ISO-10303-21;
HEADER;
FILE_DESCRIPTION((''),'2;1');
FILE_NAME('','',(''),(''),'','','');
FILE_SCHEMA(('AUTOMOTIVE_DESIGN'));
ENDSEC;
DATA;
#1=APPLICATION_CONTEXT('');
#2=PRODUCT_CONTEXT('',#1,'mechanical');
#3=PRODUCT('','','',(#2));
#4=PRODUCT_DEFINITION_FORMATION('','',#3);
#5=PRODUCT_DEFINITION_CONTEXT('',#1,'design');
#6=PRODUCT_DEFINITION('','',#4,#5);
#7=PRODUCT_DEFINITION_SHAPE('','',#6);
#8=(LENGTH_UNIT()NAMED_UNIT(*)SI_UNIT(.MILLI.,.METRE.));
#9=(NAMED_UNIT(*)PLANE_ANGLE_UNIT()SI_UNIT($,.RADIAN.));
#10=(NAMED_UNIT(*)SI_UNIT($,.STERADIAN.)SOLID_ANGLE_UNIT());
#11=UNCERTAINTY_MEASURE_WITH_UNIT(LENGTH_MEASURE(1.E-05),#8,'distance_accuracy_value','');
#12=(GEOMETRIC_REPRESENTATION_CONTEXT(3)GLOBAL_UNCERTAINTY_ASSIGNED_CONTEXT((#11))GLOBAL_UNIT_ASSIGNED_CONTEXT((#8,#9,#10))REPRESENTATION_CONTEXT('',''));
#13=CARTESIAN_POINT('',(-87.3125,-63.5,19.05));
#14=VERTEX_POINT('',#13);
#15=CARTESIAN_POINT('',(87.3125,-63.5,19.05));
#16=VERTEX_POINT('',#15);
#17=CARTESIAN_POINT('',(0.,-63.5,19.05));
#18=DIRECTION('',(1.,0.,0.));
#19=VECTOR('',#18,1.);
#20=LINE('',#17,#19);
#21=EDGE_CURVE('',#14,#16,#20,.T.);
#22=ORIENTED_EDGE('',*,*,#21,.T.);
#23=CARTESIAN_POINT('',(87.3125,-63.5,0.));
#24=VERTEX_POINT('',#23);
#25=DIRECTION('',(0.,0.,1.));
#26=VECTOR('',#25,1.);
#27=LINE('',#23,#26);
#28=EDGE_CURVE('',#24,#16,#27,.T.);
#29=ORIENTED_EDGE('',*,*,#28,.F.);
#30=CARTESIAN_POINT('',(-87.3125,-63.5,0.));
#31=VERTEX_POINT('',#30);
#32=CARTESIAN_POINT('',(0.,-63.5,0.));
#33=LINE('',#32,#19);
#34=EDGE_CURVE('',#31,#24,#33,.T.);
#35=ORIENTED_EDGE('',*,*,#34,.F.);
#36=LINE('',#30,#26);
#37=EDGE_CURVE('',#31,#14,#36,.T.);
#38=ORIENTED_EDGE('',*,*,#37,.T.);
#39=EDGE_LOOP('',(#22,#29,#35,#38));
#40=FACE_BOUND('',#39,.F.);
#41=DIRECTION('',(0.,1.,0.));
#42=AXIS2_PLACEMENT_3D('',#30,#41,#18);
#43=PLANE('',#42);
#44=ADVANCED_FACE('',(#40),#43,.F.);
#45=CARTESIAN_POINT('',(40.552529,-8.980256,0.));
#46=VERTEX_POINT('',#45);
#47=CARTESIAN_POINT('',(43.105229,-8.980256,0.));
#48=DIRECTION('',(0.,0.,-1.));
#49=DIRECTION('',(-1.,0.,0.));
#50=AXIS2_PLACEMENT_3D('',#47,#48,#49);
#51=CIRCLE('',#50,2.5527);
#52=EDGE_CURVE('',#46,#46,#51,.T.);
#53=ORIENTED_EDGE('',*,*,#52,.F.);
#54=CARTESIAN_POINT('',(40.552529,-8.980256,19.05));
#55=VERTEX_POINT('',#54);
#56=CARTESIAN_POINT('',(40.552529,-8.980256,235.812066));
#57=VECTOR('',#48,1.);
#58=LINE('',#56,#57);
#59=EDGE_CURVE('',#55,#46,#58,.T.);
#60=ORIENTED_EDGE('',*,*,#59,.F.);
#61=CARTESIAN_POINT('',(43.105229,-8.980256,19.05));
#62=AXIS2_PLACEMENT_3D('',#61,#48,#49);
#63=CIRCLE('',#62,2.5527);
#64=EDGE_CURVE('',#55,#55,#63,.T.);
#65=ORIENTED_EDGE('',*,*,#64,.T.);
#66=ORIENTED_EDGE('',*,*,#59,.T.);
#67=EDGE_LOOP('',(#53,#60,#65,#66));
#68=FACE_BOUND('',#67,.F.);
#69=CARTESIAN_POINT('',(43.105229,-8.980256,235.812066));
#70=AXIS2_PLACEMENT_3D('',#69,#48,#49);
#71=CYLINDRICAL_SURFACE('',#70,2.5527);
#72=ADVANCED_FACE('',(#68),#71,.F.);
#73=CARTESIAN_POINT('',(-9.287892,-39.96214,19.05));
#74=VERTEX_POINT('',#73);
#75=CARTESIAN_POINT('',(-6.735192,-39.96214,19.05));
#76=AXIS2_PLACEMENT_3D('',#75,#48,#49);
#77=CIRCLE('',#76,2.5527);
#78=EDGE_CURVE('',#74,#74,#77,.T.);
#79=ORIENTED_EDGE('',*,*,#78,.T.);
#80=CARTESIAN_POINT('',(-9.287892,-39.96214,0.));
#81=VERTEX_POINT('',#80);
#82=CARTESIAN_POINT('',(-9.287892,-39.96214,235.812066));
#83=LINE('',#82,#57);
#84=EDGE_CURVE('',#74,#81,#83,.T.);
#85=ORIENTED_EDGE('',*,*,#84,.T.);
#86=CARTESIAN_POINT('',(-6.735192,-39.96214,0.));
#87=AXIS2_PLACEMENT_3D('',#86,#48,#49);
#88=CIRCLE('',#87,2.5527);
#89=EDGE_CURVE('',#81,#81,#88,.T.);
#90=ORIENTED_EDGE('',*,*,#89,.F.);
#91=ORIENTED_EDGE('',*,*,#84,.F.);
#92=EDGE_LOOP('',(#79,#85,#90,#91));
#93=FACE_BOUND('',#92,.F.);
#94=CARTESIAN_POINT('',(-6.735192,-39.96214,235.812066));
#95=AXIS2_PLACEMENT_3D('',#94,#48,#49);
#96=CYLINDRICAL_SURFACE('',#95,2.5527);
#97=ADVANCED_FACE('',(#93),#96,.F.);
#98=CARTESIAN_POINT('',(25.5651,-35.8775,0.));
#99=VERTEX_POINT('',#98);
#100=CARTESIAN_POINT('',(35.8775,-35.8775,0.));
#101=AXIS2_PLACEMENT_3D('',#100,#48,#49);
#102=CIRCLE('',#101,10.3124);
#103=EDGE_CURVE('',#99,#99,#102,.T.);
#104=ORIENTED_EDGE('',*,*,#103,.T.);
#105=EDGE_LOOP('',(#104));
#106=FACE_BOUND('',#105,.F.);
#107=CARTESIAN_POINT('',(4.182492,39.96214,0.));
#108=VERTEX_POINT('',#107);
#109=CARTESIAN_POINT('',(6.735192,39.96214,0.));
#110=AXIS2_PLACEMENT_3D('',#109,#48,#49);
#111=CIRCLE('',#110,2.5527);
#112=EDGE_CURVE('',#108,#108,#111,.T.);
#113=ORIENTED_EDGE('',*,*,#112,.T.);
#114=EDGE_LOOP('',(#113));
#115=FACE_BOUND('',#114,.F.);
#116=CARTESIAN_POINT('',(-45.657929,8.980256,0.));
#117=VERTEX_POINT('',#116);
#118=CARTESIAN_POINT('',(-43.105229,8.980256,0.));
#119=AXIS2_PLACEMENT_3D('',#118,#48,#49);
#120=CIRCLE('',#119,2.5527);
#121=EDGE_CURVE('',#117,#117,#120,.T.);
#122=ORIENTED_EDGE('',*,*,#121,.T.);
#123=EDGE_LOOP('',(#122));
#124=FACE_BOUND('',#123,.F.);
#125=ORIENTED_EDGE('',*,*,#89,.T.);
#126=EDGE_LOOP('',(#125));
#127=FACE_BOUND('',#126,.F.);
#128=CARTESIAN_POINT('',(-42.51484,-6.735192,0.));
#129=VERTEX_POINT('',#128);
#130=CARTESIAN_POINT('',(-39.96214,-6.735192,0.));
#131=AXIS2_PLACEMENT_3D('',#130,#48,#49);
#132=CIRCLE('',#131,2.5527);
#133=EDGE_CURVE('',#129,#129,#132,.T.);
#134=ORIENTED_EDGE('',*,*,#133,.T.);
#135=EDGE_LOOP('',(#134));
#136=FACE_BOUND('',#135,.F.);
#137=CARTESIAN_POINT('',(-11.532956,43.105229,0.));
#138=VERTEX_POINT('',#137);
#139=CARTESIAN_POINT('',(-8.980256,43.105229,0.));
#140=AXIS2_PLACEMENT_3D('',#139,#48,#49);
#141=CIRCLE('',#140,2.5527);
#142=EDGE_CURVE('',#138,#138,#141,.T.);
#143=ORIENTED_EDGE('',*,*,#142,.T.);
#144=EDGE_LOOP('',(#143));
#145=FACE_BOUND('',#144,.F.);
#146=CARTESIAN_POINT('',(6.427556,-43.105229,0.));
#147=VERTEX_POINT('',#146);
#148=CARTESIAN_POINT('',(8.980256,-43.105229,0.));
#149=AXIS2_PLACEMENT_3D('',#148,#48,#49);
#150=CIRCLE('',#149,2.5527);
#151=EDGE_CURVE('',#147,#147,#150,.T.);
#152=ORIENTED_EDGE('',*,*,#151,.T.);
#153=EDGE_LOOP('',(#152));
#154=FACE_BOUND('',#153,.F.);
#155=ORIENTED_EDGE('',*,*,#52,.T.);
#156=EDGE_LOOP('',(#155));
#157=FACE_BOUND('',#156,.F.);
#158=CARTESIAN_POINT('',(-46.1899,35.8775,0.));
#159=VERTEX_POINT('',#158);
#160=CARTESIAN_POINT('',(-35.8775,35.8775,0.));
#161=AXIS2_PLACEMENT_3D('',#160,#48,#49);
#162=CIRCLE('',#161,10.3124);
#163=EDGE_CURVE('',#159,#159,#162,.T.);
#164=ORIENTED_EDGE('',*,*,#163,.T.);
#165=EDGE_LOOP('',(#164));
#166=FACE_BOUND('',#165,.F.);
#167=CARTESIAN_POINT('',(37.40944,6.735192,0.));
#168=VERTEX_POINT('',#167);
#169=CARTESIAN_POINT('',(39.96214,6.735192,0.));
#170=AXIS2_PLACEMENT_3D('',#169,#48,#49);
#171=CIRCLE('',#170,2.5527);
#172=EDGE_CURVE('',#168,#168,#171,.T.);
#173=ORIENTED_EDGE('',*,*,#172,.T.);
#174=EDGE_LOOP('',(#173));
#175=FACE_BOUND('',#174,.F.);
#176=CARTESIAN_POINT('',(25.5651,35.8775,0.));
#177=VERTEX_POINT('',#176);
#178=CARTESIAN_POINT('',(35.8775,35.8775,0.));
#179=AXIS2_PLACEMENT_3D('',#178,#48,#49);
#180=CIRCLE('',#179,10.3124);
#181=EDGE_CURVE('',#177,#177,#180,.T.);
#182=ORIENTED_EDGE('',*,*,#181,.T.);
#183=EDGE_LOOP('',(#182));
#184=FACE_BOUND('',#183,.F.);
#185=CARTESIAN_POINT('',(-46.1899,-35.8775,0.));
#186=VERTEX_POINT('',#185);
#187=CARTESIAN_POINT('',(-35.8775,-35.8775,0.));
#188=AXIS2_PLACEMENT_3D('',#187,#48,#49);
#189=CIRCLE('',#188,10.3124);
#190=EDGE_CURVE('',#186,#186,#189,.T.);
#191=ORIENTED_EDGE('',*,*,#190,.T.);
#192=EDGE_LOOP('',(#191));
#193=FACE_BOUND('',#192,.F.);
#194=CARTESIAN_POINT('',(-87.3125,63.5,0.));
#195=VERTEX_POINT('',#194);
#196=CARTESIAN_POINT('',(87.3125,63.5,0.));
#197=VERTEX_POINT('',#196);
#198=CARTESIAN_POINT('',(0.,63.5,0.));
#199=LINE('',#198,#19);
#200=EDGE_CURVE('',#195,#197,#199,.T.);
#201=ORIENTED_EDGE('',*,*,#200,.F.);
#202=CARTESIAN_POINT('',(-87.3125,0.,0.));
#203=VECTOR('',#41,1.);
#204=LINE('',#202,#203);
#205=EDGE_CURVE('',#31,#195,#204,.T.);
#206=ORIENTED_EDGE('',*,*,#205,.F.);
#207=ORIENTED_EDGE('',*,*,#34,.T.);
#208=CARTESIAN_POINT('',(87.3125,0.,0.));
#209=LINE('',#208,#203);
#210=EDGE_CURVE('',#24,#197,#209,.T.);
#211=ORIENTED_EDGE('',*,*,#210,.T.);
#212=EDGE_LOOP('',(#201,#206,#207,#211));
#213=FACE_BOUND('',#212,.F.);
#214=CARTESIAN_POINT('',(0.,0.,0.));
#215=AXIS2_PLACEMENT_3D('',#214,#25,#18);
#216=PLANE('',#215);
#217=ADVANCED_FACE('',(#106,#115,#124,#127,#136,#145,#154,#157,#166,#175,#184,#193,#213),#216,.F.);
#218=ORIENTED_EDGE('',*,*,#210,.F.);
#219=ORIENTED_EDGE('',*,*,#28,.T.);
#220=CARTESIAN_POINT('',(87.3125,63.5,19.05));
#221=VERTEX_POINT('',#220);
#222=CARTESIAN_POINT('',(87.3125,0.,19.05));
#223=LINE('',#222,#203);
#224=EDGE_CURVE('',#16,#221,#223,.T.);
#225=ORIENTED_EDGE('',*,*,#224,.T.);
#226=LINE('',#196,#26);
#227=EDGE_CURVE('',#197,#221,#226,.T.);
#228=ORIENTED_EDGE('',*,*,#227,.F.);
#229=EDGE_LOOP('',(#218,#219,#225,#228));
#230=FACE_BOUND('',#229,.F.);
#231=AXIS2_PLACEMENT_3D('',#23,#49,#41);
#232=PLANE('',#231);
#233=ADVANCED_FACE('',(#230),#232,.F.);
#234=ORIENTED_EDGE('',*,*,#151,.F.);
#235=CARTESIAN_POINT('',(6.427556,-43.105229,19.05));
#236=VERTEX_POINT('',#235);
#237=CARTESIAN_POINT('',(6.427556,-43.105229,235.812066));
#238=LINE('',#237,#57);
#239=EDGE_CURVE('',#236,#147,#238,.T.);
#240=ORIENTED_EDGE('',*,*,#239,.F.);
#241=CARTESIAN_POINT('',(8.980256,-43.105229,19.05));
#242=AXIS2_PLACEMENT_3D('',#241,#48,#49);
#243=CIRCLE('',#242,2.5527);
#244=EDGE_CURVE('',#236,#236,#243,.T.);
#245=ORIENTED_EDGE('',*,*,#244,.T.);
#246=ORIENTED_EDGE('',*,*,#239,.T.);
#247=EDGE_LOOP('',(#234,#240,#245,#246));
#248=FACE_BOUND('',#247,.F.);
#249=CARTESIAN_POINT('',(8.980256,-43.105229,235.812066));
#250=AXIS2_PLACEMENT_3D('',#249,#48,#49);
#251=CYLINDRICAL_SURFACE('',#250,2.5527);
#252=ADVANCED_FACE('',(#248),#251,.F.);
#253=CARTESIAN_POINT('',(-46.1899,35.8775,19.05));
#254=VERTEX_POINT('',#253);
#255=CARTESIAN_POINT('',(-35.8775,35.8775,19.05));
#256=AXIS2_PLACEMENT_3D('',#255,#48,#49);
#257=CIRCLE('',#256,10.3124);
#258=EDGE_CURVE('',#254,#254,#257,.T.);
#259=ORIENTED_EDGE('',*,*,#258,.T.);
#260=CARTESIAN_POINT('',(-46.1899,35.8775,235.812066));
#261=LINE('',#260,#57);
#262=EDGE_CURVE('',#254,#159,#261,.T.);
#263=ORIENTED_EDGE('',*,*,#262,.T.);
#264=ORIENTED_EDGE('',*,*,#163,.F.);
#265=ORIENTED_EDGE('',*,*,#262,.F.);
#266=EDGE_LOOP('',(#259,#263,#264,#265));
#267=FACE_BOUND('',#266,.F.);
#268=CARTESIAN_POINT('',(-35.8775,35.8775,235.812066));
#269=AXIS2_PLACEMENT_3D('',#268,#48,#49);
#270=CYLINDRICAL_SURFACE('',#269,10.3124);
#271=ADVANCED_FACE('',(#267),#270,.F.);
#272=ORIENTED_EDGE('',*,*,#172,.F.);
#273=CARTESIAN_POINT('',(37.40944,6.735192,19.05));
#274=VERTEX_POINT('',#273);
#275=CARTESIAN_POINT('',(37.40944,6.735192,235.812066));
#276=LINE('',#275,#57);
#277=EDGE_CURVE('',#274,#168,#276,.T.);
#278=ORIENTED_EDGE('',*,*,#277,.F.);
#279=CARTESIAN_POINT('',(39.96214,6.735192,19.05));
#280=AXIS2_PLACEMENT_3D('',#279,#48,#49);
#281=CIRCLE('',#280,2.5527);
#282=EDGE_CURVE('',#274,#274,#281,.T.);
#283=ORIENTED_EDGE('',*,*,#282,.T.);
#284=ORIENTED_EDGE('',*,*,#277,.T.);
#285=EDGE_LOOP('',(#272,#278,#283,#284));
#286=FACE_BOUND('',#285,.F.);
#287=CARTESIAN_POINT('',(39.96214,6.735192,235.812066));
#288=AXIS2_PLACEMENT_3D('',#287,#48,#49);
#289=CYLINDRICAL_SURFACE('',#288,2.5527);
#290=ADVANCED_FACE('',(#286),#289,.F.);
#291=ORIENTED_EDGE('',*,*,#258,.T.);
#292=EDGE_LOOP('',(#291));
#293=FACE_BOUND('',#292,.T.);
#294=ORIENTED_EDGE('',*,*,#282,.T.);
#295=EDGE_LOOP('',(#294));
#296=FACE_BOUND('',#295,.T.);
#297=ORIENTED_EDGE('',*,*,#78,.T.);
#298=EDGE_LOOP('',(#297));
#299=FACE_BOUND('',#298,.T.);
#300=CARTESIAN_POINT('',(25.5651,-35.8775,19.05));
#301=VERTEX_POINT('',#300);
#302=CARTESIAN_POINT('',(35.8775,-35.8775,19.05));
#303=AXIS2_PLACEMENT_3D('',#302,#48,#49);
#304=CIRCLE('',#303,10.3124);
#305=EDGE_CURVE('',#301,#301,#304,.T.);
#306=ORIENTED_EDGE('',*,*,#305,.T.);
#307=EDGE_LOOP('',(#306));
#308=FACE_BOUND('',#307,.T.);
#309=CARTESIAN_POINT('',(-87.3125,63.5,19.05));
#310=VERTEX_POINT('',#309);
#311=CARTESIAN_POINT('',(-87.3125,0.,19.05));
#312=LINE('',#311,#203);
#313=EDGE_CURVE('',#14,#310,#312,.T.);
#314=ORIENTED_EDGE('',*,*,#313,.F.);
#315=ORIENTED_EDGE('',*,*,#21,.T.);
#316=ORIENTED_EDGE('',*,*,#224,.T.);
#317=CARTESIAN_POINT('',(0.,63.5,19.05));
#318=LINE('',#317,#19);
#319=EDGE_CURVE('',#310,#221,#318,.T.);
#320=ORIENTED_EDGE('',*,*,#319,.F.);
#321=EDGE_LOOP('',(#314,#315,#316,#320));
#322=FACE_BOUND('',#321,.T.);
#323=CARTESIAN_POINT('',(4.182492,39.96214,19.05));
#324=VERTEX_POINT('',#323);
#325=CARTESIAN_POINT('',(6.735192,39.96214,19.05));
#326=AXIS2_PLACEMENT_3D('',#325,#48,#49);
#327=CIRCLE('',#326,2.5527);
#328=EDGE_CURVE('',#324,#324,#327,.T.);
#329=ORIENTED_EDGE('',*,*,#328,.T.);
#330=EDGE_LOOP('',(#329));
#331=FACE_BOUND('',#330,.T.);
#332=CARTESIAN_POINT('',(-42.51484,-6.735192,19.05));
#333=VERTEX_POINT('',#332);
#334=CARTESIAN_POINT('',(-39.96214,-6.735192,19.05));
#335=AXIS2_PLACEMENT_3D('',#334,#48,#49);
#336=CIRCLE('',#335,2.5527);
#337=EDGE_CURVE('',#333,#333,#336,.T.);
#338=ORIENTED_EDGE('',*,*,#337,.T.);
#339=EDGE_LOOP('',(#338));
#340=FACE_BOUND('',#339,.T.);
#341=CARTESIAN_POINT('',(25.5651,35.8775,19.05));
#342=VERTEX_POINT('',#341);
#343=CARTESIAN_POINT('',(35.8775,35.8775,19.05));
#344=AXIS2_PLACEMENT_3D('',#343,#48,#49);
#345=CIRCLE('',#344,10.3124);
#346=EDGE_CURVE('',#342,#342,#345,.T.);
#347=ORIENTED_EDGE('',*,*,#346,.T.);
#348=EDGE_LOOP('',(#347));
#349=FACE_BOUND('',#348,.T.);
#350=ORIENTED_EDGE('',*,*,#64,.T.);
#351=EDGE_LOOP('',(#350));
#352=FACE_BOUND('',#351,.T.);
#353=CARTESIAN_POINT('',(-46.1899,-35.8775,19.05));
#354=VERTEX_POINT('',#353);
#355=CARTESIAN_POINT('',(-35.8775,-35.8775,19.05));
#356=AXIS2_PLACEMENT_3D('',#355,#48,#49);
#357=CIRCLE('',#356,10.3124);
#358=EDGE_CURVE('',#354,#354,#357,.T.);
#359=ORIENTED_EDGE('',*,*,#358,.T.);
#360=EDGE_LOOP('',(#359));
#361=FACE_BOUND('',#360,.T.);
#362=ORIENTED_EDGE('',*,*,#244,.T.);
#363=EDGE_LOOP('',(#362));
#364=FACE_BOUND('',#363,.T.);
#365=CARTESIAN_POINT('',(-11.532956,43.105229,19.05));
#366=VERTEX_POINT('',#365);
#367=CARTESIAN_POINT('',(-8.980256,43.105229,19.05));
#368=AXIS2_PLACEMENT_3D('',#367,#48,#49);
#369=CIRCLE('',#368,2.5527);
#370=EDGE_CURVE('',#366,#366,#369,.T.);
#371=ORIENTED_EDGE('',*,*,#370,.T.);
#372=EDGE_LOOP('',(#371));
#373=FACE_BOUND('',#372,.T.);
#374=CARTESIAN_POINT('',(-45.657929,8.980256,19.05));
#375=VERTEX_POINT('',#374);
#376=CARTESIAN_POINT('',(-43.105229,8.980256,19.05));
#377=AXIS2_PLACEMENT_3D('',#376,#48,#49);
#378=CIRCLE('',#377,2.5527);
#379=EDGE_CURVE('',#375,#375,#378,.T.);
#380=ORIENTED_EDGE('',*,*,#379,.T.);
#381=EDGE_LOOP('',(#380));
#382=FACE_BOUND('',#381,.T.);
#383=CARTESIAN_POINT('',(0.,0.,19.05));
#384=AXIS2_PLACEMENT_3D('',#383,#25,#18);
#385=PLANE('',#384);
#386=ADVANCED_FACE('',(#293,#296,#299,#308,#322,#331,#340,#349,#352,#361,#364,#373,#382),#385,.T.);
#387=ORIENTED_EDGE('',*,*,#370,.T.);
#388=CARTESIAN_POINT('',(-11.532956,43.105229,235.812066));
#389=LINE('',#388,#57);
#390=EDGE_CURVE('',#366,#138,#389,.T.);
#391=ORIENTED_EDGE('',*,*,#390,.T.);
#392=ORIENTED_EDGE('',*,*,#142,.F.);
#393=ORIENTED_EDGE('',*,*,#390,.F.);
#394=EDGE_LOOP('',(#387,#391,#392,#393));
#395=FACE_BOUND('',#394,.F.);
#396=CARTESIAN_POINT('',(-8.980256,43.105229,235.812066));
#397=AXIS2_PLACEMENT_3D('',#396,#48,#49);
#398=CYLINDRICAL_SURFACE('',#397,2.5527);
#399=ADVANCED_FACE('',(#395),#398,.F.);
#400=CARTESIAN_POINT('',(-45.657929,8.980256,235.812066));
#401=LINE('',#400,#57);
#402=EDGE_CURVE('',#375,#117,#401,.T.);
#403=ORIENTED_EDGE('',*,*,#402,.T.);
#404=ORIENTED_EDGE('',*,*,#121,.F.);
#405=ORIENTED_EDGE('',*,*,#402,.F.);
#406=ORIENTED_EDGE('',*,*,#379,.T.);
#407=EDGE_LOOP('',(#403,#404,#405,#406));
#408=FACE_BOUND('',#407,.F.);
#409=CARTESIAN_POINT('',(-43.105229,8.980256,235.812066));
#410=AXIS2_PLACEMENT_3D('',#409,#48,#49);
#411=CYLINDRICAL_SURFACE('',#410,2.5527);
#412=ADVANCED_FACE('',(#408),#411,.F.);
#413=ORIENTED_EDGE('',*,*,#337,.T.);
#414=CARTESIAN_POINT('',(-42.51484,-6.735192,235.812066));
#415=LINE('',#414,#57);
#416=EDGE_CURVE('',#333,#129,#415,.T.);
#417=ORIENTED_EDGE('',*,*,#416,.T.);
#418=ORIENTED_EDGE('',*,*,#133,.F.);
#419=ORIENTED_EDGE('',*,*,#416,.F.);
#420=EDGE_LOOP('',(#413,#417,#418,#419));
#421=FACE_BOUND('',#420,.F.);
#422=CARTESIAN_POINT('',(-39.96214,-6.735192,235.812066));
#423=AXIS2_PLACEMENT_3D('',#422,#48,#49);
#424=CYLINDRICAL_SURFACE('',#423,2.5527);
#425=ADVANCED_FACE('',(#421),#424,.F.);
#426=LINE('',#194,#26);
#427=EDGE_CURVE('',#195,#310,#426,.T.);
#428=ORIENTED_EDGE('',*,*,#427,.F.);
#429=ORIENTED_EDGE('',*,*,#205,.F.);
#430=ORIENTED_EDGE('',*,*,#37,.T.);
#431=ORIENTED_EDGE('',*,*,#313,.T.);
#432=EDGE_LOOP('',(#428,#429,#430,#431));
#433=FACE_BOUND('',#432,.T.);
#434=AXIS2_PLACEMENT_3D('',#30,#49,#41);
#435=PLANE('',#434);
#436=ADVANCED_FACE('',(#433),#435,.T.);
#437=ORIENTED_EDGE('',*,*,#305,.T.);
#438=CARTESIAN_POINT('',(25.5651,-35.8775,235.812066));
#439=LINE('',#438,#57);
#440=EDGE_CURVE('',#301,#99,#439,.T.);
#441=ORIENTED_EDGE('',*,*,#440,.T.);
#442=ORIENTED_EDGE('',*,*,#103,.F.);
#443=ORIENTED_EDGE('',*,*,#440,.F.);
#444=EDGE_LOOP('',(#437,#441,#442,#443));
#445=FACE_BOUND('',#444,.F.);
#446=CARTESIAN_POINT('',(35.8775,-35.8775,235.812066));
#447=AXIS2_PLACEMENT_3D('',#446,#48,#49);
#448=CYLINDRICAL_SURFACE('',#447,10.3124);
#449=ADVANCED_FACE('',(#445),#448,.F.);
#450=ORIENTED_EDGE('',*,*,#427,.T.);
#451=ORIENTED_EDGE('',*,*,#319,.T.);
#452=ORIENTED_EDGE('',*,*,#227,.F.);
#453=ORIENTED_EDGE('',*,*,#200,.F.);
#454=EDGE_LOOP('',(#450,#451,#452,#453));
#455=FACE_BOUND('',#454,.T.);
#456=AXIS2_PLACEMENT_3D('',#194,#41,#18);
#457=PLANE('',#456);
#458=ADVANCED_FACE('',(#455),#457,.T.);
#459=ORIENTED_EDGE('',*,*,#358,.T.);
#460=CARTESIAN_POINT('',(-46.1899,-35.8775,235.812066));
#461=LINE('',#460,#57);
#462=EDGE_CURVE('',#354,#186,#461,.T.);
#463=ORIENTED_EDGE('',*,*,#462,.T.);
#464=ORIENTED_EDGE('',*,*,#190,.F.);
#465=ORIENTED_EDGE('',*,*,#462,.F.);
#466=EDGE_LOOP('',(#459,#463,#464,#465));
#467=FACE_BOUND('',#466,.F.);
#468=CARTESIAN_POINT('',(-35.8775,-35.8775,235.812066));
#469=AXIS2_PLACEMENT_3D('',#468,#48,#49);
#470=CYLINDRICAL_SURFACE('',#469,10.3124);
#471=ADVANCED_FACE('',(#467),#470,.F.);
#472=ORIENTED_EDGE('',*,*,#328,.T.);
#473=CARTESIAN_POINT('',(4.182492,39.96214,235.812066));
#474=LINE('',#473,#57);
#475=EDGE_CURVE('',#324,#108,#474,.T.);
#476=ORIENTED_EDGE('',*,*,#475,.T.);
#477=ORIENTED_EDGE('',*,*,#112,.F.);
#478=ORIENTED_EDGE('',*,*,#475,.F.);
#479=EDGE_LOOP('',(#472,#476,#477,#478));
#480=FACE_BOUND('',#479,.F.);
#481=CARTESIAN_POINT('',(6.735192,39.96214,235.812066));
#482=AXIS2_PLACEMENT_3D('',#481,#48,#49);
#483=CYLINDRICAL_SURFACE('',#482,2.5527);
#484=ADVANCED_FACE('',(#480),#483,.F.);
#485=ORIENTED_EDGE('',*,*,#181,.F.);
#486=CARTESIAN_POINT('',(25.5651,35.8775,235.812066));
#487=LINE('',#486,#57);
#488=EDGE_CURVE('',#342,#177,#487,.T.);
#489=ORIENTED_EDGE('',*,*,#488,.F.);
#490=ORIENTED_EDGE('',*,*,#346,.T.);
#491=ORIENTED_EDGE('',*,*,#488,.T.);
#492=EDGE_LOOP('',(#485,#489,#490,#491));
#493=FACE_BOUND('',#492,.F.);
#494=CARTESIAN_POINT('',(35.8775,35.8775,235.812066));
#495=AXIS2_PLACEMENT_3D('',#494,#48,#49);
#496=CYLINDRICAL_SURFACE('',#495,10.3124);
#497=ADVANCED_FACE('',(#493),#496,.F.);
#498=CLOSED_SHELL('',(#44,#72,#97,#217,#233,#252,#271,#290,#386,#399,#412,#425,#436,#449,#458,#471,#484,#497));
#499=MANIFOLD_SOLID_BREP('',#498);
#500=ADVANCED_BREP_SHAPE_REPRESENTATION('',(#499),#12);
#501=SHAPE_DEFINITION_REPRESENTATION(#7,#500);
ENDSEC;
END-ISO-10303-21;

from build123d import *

# Parameters (mm, degrees)
F0_W     = 174.625
F0_H     = 127
F1_DEPTH = 19.05
F3_D     = 20.6248
F5_D     = 5.1054


with BuildPart() as f1:
    # F0 (on Top) → F1 (new body)
    with BuildSketch(Plane.XY):
        Rectangle(F0_W, F0_H)
    extrude(amount=F1_DEPTH)

    # F3 (through all)
    with Locations(Plane.XY.offset(19.05)):
        with Locations((-35.8775, 35.8775), (-35.8775, -35.8775), (35.8775, 35.8775), (35.8775, -35.8775)):
            Hole(F3_D / 2)

    # F5 (through all)
    with Locations(Plane.XY.offset(19.05)):
        with Locations((-8.9802561211, 43.1052293811), (6.7351920908, 39.9621397388), (-43.1052293811, 8.9802561211), (-39.9621397388, -6.7351920908), (-6.7351920908, -39.9621397388), (8.9802561211, -43.1052293811), (43.1052293811, -8.9802561211), (39.9621397388, 6.7351920908)):
            Hole(F5_D / 2)


solid = f1.part
